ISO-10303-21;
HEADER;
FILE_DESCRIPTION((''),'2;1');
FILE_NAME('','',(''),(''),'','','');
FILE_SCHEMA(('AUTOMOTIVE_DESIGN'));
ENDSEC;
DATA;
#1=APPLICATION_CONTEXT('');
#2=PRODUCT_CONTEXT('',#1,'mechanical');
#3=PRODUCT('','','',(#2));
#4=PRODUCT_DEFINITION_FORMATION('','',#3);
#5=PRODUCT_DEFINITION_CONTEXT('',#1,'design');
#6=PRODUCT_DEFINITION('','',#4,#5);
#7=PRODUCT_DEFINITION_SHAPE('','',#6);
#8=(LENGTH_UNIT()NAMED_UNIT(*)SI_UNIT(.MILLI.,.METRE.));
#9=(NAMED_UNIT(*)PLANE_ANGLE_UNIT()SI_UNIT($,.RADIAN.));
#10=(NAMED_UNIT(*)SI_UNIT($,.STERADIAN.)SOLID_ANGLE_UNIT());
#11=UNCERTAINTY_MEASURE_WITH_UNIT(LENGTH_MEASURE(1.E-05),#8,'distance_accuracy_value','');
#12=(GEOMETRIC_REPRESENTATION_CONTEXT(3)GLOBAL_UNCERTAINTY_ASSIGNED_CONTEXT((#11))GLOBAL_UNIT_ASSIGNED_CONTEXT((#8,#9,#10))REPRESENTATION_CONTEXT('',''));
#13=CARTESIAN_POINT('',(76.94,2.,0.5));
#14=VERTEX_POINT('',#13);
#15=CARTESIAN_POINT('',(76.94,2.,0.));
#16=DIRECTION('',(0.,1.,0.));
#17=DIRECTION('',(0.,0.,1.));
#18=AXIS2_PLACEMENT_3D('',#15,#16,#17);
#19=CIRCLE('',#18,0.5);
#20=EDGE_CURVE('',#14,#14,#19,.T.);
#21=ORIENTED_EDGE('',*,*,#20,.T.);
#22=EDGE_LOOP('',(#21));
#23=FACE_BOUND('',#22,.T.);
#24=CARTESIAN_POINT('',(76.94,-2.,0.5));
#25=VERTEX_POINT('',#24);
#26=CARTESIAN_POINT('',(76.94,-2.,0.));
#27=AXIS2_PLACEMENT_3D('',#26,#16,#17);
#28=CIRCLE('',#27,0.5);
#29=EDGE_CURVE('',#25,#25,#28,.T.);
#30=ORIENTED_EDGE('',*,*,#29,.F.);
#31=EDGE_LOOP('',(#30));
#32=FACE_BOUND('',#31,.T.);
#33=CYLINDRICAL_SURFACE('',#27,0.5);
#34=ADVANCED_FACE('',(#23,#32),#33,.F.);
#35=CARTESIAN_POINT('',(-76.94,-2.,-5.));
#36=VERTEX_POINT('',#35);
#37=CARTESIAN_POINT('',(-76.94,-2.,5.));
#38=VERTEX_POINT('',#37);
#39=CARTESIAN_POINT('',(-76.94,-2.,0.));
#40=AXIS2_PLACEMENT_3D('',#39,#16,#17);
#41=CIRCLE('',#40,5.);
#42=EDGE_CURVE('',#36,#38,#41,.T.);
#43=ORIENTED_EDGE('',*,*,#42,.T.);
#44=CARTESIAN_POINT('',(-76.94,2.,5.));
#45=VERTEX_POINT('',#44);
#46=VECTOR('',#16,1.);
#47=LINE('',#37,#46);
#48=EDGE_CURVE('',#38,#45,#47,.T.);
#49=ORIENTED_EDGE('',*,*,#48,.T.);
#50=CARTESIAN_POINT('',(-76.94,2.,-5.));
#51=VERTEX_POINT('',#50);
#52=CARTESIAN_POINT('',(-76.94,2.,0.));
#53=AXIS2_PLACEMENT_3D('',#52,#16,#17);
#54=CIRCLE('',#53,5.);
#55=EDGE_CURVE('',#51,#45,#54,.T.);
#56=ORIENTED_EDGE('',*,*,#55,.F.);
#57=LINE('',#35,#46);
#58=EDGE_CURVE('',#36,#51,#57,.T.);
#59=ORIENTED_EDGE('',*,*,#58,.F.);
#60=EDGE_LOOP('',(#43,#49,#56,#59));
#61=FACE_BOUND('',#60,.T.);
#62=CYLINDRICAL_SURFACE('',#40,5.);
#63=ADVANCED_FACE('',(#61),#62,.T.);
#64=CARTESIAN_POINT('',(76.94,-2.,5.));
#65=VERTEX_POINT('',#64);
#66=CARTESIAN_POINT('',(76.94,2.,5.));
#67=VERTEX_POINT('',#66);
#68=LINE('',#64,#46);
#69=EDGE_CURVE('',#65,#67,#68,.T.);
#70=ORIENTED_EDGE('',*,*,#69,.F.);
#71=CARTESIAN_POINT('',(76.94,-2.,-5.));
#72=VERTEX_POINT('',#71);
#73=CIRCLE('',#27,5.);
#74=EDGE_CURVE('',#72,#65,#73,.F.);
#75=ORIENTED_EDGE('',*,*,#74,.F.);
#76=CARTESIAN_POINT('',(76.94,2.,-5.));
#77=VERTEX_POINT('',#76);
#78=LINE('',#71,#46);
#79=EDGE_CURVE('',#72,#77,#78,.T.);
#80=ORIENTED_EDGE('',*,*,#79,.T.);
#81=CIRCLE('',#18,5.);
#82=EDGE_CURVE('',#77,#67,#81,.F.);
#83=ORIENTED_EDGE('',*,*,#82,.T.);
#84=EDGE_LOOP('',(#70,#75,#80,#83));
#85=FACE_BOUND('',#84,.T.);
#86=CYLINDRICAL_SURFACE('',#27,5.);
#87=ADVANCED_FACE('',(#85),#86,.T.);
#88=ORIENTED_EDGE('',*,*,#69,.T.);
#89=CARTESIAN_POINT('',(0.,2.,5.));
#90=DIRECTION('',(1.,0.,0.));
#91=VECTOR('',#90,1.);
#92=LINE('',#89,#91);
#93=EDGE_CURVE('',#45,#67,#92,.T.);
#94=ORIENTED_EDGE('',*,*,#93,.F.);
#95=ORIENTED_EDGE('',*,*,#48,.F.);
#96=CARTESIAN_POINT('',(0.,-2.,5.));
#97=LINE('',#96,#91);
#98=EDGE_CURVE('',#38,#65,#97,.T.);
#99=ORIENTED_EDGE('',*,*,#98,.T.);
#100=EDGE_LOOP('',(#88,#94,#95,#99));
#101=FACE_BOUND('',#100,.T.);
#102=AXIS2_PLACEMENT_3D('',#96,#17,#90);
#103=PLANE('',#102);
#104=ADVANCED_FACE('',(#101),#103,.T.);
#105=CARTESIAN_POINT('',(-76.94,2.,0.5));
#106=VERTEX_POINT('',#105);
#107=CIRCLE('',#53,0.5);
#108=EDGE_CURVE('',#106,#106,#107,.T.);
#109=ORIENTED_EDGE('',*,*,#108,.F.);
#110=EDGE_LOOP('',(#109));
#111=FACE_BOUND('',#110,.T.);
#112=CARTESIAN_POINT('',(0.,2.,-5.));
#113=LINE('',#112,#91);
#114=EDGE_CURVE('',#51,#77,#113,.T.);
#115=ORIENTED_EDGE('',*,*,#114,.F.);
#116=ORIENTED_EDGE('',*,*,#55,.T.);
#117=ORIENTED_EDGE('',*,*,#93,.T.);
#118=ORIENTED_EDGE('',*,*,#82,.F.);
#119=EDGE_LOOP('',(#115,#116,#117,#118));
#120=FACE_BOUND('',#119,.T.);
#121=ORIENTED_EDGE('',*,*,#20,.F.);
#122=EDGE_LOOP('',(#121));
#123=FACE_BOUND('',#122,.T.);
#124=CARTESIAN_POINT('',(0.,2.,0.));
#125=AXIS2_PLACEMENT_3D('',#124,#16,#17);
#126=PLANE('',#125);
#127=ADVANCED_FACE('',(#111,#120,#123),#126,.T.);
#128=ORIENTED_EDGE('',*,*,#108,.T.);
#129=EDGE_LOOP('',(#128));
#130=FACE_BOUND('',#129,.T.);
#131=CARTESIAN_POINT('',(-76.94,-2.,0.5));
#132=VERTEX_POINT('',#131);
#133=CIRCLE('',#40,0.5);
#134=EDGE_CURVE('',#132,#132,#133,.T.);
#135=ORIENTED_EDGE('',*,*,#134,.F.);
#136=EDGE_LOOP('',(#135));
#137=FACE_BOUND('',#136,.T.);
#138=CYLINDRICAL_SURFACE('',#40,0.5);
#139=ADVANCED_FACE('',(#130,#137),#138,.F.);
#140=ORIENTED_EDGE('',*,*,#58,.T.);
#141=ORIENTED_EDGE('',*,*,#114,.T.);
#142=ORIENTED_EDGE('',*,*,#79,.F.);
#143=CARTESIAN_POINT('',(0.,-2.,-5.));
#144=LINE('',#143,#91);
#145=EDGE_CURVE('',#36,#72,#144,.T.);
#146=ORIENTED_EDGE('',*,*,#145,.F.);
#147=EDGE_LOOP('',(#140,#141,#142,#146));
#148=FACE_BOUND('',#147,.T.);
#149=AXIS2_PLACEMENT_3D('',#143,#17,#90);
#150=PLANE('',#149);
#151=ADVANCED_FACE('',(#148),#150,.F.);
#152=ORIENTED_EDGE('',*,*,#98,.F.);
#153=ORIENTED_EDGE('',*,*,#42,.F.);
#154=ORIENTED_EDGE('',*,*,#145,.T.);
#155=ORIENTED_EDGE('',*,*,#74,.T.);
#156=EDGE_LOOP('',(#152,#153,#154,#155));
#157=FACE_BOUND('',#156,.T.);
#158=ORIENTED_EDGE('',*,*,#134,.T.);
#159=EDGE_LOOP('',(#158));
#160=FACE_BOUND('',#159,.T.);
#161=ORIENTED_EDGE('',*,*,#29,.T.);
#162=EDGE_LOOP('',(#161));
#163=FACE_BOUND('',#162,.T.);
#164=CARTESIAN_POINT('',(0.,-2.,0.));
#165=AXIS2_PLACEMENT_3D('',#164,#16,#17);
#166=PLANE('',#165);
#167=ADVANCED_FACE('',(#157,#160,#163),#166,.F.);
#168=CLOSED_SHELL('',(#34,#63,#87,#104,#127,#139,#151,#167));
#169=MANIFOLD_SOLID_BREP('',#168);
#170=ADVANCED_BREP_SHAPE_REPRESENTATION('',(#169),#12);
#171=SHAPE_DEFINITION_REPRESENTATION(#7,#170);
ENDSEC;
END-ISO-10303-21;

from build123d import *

# Parameters (mm, degrees)
BOSS_EXTRUDE1_DEPTH      = 2
BOSS_EXTRUDE1_DEPTH_BACK = 2
SKETCH1_R                = 0.5


with BuildPart() as part:
    # Sketch1 → Boss-Extrude1 (new, two sides: drawn at the far end of the back side and taken through both)
    with BuildSketch(Plane(origin=(0, 0, 0), x_dir=(1, 0, 0), z_dir=(0, 1, 0)).offset(-BOSS_EXTRUDE1_DEPTH_BACK)):
        with BuildLine():
            ThreePointArc((-76.94, 5), (-81.94, 0), (-76.94, -5))
            Line((-76.94, -5), (76.94, -5))
            ThreePointArc((76.94, -5), (81.94, 0), (76.94, 5))
            Line((76.94, 5), (-76.94, 5))
        make_face()
        with Locations((-76.94, 0)):
            Circle(SKETCH1_R, mode=Mode.SUBTRACT)
        with Locations((76.94, 0)):
            Circle(SKETCH1_R, mode=Mode.SUBTRACT)
    extrude(amount=BOSS_EXTRUDE1_DEPTH + BOSS_EXTRUDE1_DEPTH_BACK)


solid = part.part
